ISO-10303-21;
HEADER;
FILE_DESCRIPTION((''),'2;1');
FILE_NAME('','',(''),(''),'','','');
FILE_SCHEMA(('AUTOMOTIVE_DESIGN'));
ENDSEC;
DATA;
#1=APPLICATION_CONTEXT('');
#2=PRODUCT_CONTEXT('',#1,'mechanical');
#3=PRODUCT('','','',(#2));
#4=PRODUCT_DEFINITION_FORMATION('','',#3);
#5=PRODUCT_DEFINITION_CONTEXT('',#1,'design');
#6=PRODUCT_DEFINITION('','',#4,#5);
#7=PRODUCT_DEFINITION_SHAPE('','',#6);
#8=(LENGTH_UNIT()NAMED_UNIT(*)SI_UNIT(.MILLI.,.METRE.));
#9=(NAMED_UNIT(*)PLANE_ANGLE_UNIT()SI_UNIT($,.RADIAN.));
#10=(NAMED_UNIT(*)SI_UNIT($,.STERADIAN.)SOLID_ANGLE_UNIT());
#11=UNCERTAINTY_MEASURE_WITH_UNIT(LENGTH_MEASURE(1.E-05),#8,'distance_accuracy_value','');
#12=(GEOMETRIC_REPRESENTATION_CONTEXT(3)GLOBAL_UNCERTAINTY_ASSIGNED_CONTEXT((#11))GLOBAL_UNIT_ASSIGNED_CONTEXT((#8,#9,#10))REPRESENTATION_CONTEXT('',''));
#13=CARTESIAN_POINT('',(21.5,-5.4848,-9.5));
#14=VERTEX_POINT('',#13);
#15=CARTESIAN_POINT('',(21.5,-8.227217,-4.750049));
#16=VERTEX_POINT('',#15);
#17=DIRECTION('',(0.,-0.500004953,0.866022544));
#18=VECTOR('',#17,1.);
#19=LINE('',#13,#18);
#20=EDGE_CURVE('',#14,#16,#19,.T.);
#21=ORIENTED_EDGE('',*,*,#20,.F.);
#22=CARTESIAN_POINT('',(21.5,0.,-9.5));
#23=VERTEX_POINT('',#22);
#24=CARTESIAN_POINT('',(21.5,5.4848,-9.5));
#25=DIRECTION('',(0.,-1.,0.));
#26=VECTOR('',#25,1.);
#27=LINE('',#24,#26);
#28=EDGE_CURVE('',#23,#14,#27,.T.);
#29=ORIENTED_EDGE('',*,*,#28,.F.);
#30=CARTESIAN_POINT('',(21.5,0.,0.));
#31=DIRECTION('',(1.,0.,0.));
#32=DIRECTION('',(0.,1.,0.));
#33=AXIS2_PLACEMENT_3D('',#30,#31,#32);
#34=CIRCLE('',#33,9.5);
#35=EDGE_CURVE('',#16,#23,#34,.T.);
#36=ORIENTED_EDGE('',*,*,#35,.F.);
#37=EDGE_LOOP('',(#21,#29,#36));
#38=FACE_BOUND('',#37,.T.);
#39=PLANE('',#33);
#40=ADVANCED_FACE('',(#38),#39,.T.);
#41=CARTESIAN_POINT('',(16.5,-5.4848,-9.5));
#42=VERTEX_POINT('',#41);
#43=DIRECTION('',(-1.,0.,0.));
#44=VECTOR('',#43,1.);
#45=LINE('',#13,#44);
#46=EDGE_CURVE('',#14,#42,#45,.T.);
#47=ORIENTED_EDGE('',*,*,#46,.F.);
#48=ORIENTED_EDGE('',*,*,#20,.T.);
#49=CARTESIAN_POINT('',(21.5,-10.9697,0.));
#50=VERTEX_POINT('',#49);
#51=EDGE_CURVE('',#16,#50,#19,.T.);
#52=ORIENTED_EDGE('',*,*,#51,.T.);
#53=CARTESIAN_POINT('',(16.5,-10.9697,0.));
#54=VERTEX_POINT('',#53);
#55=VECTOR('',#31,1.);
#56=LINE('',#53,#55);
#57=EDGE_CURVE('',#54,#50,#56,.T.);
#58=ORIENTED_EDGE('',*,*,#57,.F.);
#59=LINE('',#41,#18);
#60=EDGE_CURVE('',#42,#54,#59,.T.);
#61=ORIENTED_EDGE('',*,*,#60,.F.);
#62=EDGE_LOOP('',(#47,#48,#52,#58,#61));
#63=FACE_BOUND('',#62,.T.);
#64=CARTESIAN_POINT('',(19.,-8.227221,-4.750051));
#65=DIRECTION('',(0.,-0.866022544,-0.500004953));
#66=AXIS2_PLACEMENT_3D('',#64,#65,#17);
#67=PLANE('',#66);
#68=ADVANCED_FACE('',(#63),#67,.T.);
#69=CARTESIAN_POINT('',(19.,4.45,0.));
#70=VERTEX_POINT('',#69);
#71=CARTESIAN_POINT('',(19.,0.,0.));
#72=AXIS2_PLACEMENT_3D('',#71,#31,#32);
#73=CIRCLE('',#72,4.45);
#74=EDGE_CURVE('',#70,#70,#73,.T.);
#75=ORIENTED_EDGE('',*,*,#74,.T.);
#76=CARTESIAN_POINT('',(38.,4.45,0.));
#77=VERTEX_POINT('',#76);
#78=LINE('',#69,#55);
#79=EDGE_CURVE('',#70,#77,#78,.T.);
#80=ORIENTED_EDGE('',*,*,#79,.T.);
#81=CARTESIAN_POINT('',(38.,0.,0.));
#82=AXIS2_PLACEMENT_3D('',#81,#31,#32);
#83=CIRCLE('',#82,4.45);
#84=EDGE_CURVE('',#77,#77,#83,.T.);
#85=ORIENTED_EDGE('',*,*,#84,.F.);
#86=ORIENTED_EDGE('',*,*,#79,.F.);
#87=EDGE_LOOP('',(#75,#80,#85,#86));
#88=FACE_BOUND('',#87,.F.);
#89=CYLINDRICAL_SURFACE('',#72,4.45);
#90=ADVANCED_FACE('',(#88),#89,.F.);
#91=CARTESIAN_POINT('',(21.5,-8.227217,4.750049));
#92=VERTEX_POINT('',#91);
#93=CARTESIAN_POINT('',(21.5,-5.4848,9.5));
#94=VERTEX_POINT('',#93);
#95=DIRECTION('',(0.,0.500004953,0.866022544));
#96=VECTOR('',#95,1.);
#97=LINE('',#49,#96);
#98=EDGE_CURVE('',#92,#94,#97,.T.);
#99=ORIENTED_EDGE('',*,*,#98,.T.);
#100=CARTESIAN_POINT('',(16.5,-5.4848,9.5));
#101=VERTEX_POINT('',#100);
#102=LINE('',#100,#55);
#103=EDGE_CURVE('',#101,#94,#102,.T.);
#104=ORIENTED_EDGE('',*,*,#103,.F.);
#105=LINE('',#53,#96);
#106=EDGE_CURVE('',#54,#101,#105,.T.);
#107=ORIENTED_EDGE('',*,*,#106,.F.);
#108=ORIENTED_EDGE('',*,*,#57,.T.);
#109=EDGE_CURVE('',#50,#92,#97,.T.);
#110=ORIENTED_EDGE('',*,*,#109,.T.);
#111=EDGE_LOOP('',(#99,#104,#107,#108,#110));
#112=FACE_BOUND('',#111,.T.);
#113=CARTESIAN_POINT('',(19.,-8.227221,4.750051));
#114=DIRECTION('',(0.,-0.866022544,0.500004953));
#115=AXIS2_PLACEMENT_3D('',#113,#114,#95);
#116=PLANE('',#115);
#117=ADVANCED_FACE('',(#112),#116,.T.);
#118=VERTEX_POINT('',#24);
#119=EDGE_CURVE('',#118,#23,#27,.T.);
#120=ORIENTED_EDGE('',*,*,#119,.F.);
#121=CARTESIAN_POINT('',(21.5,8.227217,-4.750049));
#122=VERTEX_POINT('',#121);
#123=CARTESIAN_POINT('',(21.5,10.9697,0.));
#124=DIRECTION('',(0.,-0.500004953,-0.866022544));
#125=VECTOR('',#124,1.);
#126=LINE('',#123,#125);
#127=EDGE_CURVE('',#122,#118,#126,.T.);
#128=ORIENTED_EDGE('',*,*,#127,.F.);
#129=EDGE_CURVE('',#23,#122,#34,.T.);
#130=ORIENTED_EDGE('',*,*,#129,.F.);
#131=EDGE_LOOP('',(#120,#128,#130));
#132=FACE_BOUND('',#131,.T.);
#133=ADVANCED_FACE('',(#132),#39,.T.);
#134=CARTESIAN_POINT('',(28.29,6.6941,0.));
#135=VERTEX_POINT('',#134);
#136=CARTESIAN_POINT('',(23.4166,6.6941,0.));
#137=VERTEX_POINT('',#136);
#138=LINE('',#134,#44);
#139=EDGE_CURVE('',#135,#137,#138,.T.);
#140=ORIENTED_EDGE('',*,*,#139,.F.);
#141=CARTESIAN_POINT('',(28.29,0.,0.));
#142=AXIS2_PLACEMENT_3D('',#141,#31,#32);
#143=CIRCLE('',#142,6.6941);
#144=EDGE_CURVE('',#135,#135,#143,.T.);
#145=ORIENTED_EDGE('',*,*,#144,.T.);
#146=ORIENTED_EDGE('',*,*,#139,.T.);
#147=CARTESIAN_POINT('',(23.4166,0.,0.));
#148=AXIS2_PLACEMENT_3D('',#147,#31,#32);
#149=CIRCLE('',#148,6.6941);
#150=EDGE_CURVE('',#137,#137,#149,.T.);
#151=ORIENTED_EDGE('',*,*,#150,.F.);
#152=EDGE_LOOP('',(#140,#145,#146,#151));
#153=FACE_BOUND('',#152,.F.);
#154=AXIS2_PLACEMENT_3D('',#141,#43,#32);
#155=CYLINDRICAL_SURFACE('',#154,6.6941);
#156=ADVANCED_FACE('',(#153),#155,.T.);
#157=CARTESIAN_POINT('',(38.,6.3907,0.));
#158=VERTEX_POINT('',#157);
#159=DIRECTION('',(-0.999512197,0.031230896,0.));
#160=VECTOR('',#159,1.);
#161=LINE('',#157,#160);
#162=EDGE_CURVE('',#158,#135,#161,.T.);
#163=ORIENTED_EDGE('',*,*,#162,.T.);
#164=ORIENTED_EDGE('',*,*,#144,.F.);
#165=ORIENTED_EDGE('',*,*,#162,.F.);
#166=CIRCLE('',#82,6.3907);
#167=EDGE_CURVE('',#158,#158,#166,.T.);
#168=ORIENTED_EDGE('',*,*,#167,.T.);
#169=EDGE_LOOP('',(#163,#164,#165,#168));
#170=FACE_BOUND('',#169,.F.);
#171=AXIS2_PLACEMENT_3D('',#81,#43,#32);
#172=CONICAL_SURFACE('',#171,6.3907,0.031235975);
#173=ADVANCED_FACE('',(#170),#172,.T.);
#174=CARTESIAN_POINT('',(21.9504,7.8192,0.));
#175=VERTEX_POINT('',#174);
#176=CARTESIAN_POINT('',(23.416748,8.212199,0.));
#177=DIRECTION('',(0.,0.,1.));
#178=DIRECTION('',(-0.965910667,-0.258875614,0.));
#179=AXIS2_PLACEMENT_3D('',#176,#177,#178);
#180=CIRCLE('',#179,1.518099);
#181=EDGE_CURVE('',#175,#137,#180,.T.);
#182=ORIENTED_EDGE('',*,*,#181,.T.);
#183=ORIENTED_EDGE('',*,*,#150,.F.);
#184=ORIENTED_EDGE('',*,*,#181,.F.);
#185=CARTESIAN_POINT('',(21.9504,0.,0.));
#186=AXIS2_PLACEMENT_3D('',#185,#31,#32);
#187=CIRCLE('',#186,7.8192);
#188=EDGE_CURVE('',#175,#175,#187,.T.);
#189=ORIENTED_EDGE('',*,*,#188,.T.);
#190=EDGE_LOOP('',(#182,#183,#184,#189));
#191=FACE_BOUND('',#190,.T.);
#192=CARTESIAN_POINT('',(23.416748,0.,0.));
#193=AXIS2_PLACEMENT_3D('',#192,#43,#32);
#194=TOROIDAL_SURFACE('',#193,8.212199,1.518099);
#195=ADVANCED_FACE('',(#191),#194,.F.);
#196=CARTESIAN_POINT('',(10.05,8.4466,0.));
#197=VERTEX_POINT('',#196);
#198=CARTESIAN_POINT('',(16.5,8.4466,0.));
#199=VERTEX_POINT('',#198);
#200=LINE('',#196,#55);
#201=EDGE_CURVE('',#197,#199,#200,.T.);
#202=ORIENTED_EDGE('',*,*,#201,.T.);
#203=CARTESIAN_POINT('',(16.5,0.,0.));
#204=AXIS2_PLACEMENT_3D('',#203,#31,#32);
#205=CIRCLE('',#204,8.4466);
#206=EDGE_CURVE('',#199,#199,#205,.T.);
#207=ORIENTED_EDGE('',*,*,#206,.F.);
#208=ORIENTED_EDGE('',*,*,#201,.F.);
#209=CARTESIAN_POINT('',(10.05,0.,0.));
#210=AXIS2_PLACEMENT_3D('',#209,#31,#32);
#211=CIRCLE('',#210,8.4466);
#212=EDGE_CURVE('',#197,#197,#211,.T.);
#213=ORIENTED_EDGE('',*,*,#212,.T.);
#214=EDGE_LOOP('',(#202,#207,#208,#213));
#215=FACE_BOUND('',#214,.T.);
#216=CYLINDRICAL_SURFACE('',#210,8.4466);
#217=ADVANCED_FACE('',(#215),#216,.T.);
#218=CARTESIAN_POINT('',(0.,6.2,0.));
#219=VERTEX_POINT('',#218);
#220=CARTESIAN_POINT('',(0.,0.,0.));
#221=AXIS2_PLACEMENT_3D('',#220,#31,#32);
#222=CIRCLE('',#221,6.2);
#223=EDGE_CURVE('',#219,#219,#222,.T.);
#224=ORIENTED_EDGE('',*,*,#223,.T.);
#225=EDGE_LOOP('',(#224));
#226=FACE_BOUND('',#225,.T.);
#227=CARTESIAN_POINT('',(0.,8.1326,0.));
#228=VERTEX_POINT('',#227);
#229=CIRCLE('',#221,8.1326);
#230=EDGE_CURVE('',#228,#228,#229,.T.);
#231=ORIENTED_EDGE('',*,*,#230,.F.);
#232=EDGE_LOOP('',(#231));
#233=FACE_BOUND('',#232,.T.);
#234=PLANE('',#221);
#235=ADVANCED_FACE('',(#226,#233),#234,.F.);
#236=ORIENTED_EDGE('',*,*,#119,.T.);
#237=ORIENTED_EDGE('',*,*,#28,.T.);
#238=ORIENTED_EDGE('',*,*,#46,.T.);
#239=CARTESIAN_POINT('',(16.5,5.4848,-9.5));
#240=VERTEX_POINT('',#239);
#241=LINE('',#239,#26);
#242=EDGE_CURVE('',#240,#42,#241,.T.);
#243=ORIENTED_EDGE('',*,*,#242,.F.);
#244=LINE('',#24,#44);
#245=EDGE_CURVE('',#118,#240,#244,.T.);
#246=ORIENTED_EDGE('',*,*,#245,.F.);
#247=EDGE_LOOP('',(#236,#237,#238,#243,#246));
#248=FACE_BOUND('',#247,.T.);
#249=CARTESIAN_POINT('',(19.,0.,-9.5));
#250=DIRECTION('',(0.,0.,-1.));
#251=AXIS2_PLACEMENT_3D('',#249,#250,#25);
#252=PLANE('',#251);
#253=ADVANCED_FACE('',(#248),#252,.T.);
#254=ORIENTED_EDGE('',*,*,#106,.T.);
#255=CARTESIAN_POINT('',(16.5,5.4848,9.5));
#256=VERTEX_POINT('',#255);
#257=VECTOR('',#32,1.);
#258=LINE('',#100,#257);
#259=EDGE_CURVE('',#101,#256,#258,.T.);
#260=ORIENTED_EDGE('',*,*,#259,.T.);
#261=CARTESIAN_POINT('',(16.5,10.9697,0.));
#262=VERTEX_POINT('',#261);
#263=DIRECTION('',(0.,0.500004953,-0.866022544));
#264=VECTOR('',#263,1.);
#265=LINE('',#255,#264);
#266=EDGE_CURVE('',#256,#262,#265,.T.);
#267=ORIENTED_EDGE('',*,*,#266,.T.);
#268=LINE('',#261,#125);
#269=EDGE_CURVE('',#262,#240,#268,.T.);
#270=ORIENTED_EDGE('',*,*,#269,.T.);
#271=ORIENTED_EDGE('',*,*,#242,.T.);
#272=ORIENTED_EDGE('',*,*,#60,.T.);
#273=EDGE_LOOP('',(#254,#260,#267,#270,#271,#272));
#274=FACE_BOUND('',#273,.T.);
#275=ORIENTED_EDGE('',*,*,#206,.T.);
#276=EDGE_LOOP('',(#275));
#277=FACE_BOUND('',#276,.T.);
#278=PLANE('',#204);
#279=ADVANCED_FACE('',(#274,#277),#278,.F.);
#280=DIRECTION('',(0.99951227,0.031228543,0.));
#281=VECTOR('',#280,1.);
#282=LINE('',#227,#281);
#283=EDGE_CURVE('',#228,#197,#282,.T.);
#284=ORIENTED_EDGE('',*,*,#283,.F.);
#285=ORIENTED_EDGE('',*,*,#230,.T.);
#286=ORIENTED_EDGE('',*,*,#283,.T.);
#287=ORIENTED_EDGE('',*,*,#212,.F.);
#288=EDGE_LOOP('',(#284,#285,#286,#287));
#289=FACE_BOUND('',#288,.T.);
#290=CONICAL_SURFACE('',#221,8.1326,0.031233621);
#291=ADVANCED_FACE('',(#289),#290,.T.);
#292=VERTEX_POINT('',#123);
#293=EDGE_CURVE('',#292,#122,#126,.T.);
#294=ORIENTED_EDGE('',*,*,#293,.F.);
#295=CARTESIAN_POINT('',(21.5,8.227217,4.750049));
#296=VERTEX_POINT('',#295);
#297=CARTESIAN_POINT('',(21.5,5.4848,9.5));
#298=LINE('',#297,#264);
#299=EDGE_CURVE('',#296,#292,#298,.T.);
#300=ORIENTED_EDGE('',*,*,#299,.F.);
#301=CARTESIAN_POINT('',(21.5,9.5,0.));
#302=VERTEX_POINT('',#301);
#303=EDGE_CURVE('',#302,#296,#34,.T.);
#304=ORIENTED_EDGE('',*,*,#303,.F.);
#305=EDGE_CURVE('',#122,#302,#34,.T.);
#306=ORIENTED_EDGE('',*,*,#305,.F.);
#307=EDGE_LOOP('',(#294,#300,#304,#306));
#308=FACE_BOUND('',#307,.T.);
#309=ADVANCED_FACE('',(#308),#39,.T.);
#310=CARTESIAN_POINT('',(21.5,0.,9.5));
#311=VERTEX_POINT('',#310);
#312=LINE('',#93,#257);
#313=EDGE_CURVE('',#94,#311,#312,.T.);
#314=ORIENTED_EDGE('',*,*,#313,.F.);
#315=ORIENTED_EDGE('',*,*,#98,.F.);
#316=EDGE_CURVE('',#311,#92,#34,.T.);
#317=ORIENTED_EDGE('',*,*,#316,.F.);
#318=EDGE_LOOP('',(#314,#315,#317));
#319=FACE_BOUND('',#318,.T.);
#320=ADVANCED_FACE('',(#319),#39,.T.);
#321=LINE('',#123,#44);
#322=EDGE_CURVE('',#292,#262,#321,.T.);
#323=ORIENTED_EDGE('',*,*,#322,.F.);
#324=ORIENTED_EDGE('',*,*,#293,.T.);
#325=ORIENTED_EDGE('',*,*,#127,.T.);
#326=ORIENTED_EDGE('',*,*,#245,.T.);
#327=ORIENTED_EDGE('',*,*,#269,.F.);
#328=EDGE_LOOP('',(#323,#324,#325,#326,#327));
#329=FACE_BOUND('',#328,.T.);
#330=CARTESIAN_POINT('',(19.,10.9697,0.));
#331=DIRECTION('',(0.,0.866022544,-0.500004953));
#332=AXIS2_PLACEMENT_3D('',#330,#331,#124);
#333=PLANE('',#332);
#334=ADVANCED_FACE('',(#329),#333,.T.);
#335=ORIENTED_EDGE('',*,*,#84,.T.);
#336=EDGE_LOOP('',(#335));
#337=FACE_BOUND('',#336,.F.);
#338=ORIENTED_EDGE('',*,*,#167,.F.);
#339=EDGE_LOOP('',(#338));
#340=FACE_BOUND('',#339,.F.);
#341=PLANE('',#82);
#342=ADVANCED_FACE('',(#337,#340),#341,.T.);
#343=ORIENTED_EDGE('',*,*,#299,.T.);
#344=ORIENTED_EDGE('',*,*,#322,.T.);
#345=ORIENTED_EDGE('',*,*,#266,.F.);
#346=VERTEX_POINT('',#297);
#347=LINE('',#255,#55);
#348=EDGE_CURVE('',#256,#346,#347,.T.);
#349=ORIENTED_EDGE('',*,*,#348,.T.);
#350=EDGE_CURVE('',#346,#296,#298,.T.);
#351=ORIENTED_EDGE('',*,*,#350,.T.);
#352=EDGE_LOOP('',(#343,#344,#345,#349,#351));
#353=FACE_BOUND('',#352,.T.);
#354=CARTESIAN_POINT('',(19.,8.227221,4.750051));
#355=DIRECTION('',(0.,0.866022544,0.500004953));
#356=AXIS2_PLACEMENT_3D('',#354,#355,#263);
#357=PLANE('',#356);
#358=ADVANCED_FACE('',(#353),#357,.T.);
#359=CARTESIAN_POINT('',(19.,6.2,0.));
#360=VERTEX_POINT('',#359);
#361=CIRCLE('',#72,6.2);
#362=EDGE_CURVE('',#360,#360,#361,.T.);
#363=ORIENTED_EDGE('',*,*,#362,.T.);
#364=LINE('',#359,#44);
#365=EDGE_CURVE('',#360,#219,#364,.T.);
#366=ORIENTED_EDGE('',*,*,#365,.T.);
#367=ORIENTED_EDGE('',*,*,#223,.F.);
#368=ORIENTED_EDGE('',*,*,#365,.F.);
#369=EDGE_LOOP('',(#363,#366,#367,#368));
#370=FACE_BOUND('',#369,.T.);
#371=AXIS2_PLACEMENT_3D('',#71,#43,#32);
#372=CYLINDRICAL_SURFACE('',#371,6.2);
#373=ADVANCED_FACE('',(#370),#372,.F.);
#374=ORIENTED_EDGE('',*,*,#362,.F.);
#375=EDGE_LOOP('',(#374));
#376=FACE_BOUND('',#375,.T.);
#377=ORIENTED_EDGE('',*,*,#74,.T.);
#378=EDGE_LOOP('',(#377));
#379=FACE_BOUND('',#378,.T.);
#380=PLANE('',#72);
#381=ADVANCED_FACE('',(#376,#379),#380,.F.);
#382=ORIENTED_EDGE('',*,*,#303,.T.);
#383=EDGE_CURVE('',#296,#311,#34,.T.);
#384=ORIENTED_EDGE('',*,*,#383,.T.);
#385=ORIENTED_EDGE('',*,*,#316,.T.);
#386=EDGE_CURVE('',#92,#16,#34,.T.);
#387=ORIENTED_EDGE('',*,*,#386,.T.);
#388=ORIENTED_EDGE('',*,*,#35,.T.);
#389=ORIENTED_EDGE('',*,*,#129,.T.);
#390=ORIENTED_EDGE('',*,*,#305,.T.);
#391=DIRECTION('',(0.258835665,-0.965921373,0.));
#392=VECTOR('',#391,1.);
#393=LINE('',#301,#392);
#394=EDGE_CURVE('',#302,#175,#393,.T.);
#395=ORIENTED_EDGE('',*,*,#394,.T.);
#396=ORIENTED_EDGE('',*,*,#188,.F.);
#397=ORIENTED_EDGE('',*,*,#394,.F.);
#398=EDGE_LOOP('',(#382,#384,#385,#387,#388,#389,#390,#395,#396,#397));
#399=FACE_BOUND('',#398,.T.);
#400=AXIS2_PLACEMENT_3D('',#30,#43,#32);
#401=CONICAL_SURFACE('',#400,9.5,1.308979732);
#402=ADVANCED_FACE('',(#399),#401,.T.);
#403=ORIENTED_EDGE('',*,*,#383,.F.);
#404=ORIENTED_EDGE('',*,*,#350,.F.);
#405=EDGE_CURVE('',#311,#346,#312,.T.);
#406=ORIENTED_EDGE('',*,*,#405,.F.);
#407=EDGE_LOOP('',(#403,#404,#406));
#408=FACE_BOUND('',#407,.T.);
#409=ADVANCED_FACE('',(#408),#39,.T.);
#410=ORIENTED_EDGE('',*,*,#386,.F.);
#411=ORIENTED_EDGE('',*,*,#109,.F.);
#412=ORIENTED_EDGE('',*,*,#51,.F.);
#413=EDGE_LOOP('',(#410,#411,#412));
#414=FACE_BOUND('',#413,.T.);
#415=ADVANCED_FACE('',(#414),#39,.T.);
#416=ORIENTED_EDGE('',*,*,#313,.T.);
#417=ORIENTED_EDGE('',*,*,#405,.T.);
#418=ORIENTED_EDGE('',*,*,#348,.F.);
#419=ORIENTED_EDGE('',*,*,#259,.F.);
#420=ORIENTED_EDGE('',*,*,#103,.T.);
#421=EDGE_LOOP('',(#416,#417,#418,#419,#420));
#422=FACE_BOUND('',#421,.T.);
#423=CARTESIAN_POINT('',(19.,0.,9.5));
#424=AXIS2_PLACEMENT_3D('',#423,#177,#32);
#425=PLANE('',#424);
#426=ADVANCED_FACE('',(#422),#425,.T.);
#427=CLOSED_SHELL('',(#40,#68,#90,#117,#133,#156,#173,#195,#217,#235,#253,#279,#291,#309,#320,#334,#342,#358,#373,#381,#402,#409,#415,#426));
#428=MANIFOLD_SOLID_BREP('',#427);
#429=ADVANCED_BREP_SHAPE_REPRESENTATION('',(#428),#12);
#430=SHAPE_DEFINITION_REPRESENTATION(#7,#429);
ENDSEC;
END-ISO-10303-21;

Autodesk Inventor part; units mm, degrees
ref_plane "YZ Plane" through (0, 0, 0) normal (1, 0, 0) x (0, 1, 0)
ref_plane "XZ Plane" through (0, 0, 0) normal (0, 1, 0) x (-1, 0, 0)
sketch "Sketch1" plane through (0, 0, 0) normal (0, 0, 1) x (1, 0, 0)
  line L0 (0, 0) -> (38, 0)
  line L1 (0, 0) -> (0, 6.2) construction
  line L2 (19, 4.45) -> (19, 6.2)
  line L3 (38, 4.45) -> (38, 0) construction
  line L4 (0, 6.2) -> (0, 8.1326)
  line L5 (38, 4.45) -> (38, 6.3907)
  line L6 (28.29, 6.6941) -> (28.29, 0) construction
  line L7 (16.5, 9.5) -> (21.5, 9.5)
  line L8 (19, 6.2) -> (19, 9.5) construction
  line L9 (19, 6.2) -> (0, 6.2)
  line L10 (19, 4.45) -> (38, 4.45)
  line L11 (0, 8.1326) -> (10.05, 8.4466)
  line L12 (10.05, 8.4466) -> (10.05, 0) construction
  line L13 (10.05, 8.4466) -> (16.5, 8.4466)
  line L14 (16.5, 8.4466) -> (16.5, 9.5)
  line L15 (38, 6.3907) -> (28.29, 6.6941)
  line L16 (21.5, 6.6941) -> (21.5, 9.5) construction
  line L17 (19, 4.45) -> (19, 0) construction
  line L18 (21.5, 9.5) -> (21.9504, 7.8192)
  line L19 (28.29, 6.6941) -> (23.4166, 6.6941)
  line L20 (21.5, 6.6941) -> (23.4166, 6.6941) construction
  arc A0 (21.9504, 7.8192) -> (23.4166, 6.6941) centre (23.4166, 8.2121) ccw
  line L21 (6.35, 8.331) -> (6.35, 0) construction
  line L22 (31.99, 6.5785) -> (31.99, 0) construction
  dimension "d0" = 38
  dimension "d3" = 19
  dimension "d4" = 19
  dimension "d5" = 8.9
  dimension "d7" = 1.79
  dimension "d8" = 12.4
  dimension "d10" = 1.79
  dimension "d11" = 10.05
  dimension "d12" = 5
  dimension "d13" = 9.71
  dimension "d18" = 15
  dimension "d23" = 1.518
  dimension "d27" = 6.35
  dimension "d28" = 6.01
  dimension "d29" = 16.662
  dimension "d30" = 13.157
revolve "Revolve1" add sketch "Sketch1" angle 360 about axis through (0, 0, 0) along (1, 0, 0)
ref_plane "Work Plane1" through (19, 0, 0) normal (1, 0, 0) x (0, 1, 0)
sketch "Sketch2" plane through (19, 0, 0) normal (1, 0, 0) x (0, 1, 0)
  circle A0 centre (0, 0) radius 9.5 projected
  line L0 (-5.4848, -9.5) -> (-10.9697, 0)
  line L1 (-10.9697, 0) -> (-5.4848, 9.5)
  line L2 (-5.4848, 9.5) -> (5.4848, 9.5)
  line L3 (5.4848, 9.5) -> (10.9697, 0)
  line L4 (10.9697, 0) -> (5.4848, -9.5)
  line L5 (5.4848, -9.5) -> (-5.4848, -9.5)
  point P0 (0, 0)
  point P1 (0, 0)
  point P2 (0, -9.5)
extrude "Extrude1" add sketch "Sketch2" along normal mid plane 5 contours A0 L3 L4 | A0 L2 L3 | L4 L5 A0 | A0 L1 L2 | L5 L0 A0 | A0 L0 L1
thread "Gwint1" size "R 3/8" standard "ISO Taper" full length
thread "Gwint2" size "R 1/4" standard "ISO Taper" full length
equation "\"d0\" = a"
equation "\"d3\" = 0.5 * a"
equation "\"d4\" = S"
equation "\"d5\" = d2"
equation "\"d8\" = d1"
equation "\"d11\" = L1"
equation "\"d12\" = M"
equation "\"d13\" = L2"
equation "\"d23\" = 0.11 * OD2"
equation "\"d27\" = a1"
equation "\"d28\" = a2"
equation "\"d29\" = DD1"
equation "\"d30\" = DD2"
equation "\"d16\" = M"
equation "\"OD1\" = 17.3"
equation "\"OD2\" = 13.8"
equation "\"a\" = 38"
equation "\"d1\" = 12.4"
equation "\"d2\" = 8.9"
equation "\"M\" = 5"
equation "\"S\" = 19"
equation "\"L1\" = 10.05"
equation "\"L2\" = 9.71"
equation "\"d14\" = 0.5 * a"
equation "\"a1\" = 6.35"
equation "\"DD1\" = 16.662"
equation "\"a2\" = 6.01"
equation "\"DD2\" = 13.157"
equation "\"Size_Designation\" = 1.2345"
properties part number "ISO 49 Złączka wkrętna sześciokątna, redukcyjna N8 3/8 x 1/4" material "Żelazo, ciągliwe"
